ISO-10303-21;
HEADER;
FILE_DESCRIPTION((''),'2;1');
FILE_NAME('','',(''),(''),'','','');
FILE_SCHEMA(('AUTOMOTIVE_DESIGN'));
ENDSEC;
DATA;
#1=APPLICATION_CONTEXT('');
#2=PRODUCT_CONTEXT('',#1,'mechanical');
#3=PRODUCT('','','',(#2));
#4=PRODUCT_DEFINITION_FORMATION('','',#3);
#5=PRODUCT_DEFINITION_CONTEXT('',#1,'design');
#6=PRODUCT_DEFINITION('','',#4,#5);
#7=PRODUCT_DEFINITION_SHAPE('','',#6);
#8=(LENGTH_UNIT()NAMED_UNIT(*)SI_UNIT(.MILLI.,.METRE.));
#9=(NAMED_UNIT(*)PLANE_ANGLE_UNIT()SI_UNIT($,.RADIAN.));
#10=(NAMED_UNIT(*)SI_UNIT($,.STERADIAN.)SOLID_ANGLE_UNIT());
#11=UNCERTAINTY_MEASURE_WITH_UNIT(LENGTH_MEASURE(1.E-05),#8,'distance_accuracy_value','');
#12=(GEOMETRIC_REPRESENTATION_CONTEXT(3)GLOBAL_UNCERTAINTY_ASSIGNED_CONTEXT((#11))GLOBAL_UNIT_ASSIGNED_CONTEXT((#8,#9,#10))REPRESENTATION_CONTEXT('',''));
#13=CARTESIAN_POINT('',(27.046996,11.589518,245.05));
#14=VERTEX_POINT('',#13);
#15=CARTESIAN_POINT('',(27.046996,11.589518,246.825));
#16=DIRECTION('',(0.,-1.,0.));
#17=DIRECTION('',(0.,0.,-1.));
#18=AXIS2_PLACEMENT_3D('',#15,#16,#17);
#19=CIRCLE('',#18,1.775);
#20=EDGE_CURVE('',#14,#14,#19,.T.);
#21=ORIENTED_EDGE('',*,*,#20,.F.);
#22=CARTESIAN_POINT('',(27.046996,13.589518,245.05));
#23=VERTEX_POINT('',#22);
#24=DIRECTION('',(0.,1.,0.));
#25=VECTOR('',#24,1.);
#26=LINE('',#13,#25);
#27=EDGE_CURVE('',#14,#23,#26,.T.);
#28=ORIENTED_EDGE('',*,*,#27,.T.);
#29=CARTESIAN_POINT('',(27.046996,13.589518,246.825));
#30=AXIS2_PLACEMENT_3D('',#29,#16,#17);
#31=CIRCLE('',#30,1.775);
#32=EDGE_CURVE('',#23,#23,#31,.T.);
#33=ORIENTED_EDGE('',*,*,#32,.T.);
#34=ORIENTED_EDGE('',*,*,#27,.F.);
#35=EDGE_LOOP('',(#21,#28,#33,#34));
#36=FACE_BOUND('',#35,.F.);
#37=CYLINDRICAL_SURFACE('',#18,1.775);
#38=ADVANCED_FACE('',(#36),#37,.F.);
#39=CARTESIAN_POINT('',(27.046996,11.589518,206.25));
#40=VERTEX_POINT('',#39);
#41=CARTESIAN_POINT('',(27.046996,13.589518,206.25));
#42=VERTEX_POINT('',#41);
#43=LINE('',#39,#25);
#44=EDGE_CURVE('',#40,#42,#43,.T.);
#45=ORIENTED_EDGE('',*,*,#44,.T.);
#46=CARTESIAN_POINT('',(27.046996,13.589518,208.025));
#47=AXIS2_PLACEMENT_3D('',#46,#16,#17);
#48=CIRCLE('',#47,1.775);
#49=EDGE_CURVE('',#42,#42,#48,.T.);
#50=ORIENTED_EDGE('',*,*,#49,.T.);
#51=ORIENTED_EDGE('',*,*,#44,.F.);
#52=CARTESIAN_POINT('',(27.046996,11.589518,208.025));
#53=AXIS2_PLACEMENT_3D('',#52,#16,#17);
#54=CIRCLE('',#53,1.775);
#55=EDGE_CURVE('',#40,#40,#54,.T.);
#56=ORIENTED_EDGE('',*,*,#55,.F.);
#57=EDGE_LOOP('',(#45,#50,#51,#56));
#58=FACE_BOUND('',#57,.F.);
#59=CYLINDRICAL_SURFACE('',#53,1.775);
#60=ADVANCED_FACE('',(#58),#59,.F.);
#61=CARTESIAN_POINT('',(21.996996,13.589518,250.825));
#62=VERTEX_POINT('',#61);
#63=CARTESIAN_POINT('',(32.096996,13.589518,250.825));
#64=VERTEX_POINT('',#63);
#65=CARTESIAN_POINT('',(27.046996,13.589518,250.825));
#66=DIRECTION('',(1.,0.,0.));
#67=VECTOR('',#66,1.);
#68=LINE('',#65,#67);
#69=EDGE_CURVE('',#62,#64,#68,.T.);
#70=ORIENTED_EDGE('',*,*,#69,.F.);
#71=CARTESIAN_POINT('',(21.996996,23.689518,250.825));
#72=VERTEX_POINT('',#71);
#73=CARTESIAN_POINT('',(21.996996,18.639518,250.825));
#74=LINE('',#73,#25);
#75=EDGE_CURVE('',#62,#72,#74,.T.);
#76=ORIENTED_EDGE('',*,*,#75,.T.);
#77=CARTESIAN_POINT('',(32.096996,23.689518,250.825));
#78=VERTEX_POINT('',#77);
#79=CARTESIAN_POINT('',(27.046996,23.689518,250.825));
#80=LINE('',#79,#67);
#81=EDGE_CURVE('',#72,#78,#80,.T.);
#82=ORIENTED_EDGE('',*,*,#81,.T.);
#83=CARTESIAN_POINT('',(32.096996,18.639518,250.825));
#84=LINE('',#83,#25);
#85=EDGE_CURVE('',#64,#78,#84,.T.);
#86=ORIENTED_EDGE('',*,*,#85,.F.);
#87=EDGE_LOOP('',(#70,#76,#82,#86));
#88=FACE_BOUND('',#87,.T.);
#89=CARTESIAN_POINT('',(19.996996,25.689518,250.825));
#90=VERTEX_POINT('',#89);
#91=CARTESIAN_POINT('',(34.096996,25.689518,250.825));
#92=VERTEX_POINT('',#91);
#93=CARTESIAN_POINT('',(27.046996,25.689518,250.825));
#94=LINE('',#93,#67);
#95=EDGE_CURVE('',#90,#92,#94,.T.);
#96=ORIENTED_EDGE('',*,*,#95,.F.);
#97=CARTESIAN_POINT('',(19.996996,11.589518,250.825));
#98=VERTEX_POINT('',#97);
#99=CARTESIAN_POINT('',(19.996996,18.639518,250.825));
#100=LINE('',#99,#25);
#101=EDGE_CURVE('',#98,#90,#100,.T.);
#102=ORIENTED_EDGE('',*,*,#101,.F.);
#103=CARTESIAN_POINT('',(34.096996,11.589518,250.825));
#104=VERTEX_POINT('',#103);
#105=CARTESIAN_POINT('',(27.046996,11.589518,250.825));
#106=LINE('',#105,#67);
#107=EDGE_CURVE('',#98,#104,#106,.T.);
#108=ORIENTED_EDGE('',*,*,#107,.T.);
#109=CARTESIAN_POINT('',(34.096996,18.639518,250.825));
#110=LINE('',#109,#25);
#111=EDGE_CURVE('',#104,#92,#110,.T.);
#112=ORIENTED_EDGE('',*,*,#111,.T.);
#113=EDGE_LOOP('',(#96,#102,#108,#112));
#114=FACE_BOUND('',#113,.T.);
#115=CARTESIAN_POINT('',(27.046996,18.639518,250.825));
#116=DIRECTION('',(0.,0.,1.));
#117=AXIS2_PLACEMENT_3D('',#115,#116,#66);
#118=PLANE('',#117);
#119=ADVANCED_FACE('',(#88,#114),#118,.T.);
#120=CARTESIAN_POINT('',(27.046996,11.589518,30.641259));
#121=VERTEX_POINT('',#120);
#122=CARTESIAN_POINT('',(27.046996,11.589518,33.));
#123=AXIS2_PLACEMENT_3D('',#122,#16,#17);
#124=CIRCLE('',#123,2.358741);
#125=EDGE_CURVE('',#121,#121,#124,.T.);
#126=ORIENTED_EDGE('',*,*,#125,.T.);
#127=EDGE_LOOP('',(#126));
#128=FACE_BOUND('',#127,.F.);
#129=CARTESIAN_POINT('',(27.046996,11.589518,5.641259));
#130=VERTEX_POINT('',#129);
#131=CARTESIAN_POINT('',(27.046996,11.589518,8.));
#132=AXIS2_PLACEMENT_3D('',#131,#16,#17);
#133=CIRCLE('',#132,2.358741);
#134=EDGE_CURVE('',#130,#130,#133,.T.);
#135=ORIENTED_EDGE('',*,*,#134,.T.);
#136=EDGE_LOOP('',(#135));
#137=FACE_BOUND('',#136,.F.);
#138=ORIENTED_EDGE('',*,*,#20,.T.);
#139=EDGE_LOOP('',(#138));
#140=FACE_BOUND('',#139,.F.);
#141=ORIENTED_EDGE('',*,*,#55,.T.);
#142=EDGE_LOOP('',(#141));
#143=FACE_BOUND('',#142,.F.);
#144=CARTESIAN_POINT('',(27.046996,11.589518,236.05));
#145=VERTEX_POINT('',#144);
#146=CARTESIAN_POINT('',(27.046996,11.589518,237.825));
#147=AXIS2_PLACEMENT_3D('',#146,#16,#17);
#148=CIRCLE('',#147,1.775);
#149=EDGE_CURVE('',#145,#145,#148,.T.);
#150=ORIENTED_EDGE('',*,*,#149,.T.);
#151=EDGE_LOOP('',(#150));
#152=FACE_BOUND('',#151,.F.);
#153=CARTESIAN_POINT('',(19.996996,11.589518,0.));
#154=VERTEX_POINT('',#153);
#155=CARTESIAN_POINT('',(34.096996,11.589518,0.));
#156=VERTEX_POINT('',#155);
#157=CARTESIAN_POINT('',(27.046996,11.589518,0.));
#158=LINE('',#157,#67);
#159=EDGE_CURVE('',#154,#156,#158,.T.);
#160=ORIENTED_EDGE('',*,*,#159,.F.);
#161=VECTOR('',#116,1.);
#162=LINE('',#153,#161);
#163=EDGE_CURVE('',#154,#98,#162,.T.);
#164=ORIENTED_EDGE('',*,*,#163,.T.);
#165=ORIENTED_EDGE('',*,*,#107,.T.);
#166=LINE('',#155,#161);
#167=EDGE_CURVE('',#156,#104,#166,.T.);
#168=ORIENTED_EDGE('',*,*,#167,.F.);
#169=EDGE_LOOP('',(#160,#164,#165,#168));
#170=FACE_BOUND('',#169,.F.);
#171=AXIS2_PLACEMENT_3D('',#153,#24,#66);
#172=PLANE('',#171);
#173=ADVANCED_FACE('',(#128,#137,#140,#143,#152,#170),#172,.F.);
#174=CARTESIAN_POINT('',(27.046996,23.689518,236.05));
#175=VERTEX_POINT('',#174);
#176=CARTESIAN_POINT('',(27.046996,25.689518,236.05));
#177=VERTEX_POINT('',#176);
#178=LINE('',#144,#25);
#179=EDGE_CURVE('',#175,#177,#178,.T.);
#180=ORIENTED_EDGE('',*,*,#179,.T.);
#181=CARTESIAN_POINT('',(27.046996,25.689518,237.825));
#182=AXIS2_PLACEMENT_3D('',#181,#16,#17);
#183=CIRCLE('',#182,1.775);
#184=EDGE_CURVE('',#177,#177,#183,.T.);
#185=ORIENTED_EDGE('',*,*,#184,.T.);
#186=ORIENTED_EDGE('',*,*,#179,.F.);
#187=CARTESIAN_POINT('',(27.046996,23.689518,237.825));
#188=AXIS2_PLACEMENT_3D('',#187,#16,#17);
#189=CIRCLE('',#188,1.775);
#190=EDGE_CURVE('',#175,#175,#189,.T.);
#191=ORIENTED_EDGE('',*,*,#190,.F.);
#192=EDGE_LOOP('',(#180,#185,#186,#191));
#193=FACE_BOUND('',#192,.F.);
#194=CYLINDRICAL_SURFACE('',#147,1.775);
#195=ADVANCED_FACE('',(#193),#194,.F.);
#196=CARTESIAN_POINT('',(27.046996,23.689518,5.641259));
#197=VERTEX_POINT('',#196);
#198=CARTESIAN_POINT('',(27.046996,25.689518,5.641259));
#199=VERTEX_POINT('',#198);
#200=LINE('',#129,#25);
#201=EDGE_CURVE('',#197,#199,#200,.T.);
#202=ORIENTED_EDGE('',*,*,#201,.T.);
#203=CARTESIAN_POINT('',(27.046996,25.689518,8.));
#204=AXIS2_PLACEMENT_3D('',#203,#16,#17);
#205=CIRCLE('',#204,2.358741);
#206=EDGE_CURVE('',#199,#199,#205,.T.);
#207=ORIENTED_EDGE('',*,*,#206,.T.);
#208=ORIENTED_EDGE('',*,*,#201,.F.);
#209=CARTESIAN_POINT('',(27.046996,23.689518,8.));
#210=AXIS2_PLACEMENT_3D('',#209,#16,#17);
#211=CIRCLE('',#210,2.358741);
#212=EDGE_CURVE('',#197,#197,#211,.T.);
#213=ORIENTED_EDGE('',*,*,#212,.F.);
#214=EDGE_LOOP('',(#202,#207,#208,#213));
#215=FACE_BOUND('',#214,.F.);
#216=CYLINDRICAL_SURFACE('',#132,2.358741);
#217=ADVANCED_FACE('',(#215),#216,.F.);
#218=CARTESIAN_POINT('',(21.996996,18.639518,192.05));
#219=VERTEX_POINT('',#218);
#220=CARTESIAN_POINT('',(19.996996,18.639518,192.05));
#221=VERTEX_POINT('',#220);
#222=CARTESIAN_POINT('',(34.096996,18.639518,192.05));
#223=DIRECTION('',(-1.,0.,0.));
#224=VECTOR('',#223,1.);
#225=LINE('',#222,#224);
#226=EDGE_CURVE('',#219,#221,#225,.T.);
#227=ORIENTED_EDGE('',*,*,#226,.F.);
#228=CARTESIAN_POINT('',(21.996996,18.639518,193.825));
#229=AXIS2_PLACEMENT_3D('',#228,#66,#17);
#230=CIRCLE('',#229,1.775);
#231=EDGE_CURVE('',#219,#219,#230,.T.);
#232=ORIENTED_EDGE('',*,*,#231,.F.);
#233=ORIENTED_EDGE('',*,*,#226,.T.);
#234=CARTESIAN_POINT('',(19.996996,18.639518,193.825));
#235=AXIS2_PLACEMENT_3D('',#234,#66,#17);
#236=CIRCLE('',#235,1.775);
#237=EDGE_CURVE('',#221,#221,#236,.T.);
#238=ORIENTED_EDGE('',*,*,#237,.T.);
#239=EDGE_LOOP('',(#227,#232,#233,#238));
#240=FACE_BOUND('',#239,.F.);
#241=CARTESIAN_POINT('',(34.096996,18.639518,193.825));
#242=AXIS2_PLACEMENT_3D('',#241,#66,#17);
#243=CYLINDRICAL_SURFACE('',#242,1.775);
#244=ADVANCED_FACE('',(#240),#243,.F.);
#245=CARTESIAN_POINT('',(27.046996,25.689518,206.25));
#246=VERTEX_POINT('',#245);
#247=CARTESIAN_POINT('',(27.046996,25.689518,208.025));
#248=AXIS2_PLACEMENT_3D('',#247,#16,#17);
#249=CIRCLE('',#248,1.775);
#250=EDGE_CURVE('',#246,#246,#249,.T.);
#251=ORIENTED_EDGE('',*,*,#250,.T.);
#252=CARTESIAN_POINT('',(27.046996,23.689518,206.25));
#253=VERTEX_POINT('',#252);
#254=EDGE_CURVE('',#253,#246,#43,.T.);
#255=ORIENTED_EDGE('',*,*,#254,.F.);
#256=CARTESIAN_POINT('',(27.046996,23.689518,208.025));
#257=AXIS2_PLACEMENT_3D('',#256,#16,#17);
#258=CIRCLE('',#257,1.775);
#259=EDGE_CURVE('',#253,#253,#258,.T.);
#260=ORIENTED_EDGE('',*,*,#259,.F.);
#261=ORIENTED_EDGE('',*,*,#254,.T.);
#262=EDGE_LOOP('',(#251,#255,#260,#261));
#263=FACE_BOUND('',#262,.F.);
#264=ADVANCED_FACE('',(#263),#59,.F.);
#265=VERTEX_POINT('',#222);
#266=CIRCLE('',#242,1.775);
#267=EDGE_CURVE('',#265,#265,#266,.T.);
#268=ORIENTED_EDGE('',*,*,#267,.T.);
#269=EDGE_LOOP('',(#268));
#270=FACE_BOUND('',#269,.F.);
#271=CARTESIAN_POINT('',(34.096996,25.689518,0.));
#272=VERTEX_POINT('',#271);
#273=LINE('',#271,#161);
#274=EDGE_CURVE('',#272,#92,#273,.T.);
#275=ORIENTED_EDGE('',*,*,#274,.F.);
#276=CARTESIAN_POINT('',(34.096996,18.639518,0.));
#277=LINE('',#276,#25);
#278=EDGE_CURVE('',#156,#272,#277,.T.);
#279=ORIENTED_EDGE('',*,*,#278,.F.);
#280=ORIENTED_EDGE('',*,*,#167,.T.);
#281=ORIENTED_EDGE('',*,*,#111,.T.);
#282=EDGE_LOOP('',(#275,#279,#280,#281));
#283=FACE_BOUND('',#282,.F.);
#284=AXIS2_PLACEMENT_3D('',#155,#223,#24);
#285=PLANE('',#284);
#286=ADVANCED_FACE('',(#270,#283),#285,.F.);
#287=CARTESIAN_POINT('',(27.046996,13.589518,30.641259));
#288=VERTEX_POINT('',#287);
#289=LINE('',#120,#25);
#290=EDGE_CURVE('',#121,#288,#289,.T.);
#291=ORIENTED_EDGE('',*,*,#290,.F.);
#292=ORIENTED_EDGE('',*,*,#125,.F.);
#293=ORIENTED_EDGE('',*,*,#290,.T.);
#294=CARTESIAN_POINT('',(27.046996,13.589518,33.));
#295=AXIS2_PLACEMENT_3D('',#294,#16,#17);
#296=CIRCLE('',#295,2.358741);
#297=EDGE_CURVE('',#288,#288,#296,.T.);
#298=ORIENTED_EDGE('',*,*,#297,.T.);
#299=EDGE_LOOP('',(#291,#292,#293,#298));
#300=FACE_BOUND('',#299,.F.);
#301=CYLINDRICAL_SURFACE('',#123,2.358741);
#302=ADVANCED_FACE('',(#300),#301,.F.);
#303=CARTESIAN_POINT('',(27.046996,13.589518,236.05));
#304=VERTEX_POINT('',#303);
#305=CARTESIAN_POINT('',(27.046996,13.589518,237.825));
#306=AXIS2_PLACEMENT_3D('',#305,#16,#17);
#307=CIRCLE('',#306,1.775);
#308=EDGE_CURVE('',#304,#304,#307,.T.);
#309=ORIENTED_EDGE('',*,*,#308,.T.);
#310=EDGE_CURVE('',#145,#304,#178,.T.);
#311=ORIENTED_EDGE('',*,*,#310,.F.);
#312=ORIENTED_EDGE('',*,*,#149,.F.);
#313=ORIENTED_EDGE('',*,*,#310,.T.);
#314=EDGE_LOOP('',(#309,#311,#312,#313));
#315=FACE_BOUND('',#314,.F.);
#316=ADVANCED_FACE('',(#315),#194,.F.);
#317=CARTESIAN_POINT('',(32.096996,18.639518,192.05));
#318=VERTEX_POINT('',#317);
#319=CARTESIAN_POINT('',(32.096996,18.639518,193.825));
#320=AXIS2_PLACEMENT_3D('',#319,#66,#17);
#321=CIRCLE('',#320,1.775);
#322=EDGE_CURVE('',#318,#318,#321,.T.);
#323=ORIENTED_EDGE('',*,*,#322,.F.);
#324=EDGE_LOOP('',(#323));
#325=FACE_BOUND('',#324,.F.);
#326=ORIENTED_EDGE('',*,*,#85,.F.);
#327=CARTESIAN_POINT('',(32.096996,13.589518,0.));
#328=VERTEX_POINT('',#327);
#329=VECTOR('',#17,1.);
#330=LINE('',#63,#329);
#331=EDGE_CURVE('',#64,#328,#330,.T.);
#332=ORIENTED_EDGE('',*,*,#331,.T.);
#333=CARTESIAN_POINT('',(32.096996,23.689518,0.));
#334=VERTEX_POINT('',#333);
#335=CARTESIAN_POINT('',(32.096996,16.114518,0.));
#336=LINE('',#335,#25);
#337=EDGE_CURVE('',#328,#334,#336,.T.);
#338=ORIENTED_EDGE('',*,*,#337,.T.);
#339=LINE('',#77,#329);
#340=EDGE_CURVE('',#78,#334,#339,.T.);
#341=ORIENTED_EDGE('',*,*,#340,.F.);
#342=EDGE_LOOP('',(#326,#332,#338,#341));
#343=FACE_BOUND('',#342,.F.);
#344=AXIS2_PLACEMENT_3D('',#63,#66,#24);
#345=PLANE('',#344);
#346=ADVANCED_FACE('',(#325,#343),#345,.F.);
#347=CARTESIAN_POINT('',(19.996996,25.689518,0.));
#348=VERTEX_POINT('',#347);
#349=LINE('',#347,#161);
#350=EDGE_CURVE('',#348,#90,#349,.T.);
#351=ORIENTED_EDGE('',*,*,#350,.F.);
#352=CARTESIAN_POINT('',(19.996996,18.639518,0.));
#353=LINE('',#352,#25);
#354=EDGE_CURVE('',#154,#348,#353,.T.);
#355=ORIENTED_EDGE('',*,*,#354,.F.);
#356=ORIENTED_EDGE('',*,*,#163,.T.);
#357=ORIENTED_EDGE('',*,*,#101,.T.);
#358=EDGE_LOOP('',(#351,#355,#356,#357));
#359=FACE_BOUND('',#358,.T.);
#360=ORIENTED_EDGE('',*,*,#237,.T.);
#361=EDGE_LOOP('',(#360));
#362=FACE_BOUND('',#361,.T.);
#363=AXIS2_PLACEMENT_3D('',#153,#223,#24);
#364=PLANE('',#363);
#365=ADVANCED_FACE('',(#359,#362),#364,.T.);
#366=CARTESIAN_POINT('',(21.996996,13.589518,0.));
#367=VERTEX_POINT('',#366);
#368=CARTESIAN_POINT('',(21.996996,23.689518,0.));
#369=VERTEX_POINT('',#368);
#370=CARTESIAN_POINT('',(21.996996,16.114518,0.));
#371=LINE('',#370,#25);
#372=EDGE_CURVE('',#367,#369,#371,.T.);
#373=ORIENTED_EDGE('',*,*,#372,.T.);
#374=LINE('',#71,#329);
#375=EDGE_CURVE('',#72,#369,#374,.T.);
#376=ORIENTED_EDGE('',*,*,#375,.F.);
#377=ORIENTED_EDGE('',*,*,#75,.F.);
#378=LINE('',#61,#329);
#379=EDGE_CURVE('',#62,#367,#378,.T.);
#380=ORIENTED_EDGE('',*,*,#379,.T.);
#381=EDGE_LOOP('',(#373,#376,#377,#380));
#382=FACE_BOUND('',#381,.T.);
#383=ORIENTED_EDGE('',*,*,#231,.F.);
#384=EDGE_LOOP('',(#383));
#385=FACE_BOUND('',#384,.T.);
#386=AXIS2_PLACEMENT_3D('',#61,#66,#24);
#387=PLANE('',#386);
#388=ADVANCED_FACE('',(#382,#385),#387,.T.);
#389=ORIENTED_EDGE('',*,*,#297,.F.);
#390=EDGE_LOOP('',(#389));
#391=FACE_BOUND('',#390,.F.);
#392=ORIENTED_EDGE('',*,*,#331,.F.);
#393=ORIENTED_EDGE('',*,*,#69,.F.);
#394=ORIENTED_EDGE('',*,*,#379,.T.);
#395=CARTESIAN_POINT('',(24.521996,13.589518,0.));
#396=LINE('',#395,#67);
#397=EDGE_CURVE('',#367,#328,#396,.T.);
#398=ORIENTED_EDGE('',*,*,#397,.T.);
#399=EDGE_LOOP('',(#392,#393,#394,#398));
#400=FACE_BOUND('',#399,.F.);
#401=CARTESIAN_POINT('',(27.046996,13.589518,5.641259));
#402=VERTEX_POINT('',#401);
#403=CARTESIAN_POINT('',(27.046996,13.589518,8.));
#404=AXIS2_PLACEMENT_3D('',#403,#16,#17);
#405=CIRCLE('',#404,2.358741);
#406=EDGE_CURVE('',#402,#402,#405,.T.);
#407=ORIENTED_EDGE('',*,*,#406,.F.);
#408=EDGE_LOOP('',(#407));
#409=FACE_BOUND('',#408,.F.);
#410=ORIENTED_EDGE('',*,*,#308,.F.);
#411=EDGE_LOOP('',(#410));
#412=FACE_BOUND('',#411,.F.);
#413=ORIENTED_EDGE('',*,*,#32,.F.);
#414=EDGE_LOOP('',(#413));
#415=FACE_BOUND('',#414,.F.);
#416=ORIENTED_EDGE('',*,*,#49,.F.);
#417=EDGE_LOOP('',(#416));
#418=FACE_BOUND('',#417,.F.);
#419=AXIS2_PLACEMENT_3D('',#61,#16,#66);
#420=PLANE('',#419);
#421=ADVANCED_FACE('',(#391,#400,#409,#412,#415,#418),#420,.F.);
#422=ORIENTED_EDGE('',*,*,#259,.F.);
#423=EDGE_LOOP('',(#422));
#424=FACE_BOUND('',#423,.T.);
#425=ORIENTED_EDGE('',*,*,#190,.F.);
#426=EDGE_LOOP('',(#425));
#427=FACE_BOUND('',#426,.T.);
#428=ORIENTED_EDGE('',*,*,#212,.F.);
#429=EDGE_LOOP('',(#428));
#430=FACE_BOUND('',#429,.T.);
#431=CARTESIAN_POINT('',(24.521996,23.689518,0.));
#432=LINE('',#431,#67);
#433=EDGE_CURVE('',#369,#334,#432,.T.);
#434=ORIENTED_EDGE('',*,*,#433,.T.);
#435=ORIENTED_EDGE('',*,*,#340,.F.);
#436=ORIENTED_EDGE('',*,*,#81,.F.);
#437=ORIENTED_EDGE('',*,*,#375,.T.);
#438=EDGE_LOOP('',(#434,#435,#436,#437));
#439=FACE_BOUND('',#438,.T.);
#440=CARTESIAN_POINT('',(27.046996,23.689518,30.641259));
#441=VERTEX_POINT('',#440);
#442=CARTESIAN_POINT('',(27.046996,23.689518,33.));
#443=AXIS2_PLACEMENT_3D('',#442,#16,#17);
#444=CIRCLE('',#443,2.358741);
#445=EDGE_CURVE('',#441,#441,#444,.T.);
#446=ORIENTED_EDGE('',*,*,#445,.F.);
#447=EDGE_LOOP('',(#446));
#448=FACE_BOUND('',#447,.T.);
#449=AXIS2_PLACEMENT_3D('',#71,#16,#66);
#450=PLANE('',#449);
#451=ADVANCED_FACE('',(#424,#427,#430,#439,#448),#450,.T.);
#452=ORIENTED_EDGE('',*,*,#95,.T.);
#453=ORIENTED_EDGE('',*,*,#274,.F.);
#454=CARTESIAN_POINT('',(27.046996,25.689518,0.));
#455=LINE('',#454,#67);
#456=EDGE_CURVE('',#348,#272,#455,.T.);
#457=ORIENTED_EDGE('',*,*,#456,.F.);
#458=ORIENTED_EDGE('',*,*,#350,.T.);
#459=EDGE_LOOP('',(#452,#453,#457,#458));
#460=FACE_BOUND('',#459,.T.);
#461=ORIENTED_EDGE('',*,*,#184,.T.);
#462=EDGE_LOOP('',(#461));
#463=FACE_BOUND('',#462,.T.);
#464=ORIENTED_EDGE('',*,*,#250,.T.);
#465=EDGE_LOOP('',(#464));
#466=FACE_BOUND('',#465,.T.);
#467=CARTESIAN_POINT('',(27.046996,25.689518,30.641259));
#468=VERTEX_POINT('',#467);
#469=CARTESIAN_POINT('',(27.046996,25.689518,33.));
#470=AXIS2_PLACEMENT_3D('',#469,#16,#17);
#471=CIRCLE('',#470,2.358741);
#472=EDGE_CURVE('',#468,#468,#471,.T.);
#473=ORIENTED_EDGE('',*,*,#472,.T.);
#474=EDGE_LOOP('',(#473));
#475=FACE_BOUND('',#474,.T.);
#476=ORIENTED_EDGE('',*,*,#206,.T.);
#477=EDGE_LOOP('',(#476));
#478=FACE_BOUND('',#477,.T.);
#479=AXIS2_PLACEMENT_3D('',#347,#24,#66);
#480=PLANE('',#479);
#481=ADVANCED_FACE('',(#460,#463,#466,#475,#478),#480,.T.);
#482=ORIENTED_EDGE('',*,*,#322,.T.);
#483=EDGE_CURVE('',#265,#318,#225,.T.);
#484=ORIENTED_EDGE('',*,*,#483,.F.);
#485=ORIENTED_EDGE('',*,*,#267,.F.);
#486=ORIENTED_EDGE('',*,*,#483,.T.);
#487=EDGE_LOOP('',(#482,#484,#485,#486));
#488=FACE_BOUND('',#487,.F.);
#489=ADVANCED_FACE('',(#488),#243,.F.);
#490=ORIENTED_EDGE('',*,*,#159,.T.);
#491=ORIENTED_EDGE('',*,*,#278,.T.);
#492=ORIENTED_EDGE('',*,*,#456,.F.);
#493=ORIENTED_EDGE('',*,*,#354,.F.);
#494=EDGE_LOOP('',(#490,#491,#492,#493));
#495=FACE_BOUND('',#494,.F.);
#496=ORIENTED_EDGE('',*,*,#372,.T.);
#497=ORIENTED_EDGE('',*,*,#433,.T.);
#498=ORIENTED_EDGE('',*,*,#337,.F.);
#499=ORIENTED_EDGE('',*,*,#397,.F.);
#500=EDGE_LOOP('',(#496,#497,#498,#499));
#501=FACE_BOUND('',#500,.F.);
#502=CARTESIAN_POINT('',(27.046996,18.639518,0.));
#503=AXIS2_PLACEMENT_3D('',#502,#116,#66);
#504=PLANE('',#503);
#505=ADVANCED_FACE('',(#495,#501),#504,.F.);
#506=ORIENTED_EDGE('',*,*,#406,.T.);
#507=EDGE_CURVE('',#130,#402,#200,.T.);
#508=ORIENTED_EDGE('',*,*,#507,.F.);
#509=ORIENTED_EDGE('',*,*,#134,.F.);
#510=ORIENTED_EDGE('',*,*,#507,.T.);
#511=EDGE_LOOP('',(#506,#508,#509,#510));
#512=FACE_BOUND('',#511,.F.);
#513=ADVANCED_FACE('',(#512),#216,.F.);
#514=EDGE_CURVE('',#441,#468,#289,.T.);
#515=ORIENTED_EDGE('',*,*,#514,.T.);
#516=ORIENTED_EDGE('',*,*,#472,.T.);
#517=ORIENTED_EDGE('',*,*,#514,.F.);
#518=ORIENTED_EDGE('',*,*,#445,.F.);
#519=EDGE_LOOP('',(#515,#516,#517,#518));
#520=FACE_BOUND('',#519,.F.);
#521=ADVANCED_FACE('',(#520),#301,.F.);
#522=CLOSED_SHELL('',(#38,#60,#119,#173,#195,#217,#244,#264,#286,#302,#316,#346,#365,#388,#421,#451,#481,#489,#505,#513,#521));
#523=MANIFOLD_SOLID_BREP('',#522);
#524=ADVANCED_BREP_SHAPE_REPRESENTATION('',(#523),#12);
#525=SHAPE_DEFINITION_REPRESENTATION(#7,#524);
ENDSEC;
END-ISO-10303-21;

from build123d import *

# Parameters (mm, degrees)
SKETCH1_W           = 14.1
SKETCH1_H           = 14.1
BOSS_EXTRUDE1_DEPTH = 250.825
SKETCH2_W           = 10.1
SKETCH2_H           = 10.1
CUT_EXTRUDE1_DEPTH  = 255.432185656
SKETCH3_R           = 1.775
SKETCH3_R_2         = 2.358740524
CUT_EXTRUDE2_DEPTH  = 254.524349476
SKETCH4_R           = 1.775
CUT_EXTRUDE3_DEPTH  = 2
SKETCH5_R           = 1.775
CUT_EXTRUDE4_DEPTH  = 253.531071247


with BuildPart() as part:
    # Sketch1 → Boss-Extrude1 (new body)
    with BuildSketch(Plane.XY):
        with Locations((27.046996237, 18.639517713)):
            Rectangle(SKETCH1_W, SKETCH1_H)
    extrude(amount=BOSS_EXTRUDE1_DEPTH)

    # Sketch2 → Cut-Extrude1 (cut, through all)
    with BuildSketch(Plane.XY.offset(250.825)):
        with Locations((27.046996237, 18.639517713)):
            Rectangle(SKETCH2_W, SKETCH2_H)
    extrude(amount=-CUT_EXTRUDE1_DEPTH, mode=Mode.SUBTRACT)

    # Sketch3 → Cut-Extrude2 (cut, through all)
    with BuildSketch(Plane.XZ.offset(-11.589517713)):
        with Locations(Location((27.046996237, 237.825, 0), (0, 0, 270))):
            Circle(SKETCH3_R)
        with Locations(Location((27.046996237, 208.025, 0), (0, 0, 270))):
            Circle(SKETCH3_R)
        with Locations(Location((27.046996237, 8, 0), (0, 0, 270))):
            Circle(SKETCH3_R_2)
        with Locations(Location((27.046996237, 33, 0), (0, 0, 270))):
            Circle(SKETCH3_R_2)
    extrude(amount=-CUT_EXTRUDE2_DEPTH, mode=Mode.SUBTRACT)

    # Sketch4 → Cut-Extrude3 (cut)
    with BuildSketch(Plane.XZ.offset(-11.589517713)):
        with Locations(Location((27.046996237, 246.825, 0), (0, 0, 270))):
            Circle(SKETCH4_R)
    extrude(amount=-CUT_EXTRUDE3_DEPTH, mode=Mode.SUBTRACT)

    # Sketch5 → Cut-Extrude4 (cut, through all)
    with BuildSketch(Plane(origin=(34.096996237, 0, 0), x_dir=(0, 0, -1), z_dir=(1, 0, 0))):
        with Locations((-193.825, 18.639517713)):
            Circle(SKETCH5_R)
    extrude(amount=-CUT_EXTRUDE4_DEPTH, mode=Mode.SUBTRACT)


solid = part.part
